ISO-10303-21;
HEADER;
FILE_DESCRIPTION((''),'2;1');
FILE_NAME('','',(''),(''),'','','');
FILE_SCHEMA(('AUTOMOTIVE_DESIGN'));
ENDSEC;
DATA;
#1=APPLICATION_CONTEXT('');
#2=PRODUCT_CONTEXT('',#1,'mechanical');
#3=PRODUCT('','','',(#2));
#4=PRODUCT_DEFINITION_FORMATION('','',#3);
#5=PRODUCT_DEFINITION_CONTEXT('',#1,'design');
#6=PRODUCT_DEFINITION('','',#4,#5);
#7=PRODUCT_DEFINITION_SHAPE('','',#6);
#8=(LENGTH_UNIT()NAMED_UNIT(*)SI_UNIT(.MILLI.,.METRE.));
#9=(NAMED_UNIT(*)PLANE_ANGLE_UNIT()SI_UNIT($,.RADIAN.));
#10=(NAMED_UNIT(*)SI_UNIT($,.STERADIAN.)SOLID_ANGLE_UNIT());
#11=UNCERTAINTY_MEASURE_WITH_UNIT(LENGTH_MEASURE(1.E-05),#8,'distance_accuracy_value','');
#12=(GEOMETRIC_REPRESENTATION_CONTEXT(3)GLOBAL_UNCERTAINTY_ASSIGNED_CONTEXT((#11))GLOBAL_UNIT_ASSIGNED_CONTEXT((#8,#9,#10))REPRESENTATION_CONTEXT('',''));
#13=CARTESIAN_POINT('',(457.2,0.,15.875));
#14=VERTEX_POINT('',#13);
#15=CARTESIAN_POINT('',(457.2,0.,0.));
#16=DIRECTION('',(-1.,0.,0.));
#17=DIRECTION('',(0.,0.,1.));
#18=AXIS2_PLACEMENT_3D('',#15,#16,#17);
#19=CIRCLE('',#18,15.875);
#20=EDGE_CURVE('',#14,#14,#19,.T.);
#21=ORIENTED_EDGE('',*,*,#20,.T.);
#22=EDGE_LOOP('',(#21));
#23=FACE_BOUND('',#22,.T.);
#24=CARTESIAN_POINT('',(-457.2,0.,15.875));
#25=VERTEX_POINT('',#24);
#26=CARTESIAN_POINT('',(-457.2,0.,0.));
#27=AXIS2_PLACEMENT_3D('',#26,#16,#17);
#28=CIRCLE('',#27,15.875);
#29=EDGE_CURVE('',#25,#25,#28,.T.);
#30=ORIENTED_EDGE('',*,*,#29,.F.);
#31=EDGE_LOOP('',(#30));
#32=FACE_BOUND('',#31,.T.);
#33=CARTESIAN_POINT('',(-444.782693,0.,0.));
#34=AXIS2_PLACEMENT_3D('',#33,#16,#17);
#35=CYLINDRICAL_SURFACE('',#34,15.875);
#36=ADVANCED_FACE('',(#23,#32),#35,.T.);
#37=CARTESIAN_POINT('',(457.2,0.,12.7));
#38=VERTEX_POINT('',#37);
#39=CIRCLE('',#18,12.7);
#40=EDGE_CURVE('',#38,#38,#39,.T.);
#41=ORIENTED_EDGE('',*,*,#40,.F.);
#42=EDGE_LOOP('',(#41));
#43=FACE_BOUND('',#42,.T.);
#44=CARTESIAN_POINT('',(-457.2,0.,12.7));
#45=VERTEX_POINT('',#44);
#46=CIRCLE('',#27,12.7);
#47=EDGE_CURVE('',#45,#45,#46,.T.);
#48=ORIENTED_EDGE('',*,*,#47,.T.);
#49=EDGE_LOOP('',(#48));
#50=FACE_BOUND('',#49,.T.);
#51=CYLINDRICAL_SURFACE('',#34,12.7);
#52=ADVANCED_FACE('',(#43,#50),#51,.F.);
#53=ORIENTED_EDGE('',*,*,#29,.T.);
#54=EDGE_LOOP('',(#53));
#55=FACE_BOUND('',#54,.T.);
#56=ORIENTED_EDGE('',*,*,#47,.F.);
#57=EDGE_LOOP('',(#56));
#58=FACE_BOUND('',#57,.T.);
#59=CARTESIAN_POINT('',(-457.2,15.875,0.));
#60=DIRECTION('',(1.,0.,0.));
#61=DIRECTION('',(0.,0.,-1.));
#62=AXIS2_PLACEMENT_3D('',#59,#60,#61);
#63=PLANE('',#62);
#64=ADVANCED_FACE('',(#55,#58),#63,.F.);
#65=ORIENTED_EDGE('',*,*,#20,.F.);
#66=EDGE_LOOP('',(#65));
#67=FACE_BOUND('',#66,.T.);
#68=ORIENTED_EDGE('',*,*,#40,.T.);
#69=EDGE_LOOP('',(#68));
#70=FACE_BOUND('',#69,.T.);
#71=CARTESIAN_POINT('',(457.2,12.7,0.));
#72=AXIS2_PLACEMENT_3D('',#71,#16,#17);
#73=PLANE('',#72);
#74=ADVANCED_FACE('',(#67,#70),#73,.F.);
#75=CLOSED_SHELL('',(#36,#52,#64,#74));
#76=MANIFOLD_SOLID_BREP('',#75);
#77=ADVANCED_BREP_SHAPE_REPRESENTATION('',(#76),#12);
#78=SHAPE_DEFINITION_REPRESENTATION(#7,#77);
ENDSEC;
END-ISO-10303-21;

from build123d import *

# Parameters (mm, degrees)
SKETCH1_W = 914.4
SKETCH1_H = 3.175


with BuildPart() as part:
    # Sketch1 → Revolve1 (revolve)
    with BuildSketch(Plane.XY, mode=Mode.PRIVATE) as revolve1_sk:
        with Locations((0, 14.2875)):
            Rectangle(SKETCH1_W, SKETCH1_H)
    revolve(revolve1_sk.sketch.rotate(Axis((-444.782693128, 0, 0), (1, 0, 0)), 90), axis=Axis((-444.782693128, 0, 0), (1, 0, 0)))


solid = part.part
